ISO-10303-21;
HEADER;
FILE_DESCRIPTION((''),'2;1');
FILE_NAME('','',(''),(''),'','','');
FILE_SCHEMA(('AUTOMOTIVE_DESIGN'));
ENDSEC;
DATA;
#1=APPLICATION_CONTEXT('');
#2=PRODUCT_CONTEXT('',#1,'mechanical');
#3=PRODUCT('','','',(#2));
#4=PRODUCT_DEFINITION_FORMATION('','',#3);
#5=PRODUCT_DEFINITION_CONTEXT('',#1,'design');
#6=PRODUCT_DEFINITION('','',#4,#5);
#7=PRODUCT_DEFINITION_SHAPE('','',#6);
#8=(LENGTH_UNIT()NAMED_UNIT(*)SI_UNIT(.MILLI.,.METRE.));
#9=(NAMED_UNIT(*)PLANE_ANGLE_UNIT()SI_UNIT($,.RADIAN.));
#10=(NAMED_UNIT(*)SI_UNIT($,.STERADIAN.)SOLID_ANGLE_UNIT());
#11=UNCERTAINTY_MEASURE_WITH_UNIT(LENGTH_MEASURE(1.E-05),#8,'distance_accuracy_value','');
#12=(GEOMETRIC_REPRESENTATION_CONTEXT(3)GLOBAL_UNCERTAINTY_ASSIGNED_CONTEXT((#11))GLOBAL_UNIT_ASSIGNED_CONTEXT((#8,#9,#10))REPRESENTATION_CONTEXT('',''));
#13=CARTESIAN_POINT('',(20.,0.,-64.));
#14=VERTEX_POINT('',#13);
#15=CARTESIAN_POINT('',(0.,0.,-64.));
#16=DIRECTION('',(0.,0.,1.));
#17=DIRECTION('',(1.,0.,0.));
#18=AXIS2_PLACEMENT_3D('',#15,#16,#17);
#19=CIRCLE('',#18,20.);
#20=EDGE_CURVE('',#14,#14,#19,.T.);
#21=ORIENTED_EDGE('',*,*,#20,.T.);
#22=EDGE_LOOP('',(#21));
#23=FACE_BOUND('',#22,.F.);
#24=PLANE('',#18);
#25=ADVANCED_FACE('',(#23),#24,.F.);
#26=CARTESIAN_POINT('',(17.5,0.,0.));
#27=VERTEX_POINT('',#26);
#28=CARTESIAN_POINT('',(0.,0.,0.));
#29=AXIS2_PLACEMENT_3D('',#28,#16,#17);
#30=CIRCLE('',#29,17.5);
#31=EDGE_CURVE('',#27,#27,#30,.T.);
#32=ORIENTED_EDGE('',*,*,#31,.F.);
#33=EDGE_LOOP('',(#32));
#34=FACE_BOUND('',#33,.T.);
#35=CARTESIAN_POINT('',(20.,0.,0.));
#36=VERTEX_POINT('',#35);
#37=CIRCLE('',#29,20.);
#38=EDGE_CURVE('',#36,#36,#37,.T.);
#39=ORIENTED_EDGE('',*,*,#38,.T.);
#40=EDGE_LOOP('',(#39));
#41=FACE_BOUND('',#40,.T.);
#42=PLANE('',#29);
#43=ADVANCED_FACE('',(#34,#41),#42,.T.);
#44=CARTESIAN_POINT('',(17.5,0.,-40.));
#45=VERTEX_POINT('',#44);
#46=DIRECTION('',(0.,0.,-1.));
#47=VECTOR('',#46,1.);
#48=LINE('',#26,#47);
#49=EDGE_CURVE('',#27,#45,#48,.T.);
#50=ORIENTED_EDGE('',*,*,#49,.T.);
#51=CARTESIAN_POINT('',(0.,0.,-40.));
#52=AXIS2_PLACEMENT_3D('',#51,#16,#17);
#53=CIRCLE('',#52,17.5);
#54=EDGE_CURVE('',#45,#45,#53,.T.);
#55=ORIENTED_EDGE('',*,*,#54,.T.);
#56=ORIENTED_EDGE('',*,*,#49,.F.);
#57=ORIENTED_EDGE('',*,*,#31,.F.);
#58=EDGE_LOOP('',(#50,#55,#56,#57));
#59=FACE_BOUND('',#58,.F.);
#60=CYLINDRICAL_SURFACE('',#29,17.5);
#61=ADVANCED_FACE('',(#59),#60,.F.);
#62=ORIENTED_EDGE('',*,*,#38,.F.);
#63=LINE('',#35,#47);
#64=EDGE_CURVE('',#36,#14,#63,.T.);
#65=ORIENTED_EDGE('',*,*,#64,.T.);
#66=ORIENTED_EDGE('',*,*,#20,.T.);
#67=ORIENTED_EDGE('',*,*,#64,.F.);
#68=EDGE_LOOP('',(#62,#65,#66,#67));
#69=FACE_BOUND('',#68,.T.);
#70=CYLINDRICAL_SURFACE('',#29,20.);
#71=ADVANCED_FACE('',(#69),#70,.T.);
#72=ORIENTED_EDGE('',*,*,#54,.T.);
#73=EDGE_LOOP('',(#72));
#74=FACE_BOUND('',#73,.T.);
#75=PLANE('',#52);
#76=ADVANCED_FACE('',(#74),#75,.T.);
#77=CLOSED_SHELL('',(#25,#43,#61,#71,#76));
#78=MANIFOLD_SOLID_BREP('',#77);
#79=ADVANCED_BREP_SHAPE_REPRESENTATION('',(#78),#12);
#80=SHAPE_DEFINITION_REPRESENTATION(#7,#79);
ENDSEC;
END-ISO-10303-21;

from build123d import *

# Parameters (mm, degrees)
F0_R     = 20
F1_DEPTH = 64
F2_R     = 17.5
F3_DEPTH = 40


with BuildPart() as f1:
    # F0 (on Top) → F1 (new body)
    with BuildSketch(Plane.XY):
        Circle(F0_R)
    extrude(amount=-F1_DEPTH)

    # F2 (on face) → F3 (cut)
    with BuildSketch(Plane.XY):
        Circle(F2_R)
    extrude(amount=-F3_DEPTH, mode=Mode.SUBTRACT)


solid = f1.part
